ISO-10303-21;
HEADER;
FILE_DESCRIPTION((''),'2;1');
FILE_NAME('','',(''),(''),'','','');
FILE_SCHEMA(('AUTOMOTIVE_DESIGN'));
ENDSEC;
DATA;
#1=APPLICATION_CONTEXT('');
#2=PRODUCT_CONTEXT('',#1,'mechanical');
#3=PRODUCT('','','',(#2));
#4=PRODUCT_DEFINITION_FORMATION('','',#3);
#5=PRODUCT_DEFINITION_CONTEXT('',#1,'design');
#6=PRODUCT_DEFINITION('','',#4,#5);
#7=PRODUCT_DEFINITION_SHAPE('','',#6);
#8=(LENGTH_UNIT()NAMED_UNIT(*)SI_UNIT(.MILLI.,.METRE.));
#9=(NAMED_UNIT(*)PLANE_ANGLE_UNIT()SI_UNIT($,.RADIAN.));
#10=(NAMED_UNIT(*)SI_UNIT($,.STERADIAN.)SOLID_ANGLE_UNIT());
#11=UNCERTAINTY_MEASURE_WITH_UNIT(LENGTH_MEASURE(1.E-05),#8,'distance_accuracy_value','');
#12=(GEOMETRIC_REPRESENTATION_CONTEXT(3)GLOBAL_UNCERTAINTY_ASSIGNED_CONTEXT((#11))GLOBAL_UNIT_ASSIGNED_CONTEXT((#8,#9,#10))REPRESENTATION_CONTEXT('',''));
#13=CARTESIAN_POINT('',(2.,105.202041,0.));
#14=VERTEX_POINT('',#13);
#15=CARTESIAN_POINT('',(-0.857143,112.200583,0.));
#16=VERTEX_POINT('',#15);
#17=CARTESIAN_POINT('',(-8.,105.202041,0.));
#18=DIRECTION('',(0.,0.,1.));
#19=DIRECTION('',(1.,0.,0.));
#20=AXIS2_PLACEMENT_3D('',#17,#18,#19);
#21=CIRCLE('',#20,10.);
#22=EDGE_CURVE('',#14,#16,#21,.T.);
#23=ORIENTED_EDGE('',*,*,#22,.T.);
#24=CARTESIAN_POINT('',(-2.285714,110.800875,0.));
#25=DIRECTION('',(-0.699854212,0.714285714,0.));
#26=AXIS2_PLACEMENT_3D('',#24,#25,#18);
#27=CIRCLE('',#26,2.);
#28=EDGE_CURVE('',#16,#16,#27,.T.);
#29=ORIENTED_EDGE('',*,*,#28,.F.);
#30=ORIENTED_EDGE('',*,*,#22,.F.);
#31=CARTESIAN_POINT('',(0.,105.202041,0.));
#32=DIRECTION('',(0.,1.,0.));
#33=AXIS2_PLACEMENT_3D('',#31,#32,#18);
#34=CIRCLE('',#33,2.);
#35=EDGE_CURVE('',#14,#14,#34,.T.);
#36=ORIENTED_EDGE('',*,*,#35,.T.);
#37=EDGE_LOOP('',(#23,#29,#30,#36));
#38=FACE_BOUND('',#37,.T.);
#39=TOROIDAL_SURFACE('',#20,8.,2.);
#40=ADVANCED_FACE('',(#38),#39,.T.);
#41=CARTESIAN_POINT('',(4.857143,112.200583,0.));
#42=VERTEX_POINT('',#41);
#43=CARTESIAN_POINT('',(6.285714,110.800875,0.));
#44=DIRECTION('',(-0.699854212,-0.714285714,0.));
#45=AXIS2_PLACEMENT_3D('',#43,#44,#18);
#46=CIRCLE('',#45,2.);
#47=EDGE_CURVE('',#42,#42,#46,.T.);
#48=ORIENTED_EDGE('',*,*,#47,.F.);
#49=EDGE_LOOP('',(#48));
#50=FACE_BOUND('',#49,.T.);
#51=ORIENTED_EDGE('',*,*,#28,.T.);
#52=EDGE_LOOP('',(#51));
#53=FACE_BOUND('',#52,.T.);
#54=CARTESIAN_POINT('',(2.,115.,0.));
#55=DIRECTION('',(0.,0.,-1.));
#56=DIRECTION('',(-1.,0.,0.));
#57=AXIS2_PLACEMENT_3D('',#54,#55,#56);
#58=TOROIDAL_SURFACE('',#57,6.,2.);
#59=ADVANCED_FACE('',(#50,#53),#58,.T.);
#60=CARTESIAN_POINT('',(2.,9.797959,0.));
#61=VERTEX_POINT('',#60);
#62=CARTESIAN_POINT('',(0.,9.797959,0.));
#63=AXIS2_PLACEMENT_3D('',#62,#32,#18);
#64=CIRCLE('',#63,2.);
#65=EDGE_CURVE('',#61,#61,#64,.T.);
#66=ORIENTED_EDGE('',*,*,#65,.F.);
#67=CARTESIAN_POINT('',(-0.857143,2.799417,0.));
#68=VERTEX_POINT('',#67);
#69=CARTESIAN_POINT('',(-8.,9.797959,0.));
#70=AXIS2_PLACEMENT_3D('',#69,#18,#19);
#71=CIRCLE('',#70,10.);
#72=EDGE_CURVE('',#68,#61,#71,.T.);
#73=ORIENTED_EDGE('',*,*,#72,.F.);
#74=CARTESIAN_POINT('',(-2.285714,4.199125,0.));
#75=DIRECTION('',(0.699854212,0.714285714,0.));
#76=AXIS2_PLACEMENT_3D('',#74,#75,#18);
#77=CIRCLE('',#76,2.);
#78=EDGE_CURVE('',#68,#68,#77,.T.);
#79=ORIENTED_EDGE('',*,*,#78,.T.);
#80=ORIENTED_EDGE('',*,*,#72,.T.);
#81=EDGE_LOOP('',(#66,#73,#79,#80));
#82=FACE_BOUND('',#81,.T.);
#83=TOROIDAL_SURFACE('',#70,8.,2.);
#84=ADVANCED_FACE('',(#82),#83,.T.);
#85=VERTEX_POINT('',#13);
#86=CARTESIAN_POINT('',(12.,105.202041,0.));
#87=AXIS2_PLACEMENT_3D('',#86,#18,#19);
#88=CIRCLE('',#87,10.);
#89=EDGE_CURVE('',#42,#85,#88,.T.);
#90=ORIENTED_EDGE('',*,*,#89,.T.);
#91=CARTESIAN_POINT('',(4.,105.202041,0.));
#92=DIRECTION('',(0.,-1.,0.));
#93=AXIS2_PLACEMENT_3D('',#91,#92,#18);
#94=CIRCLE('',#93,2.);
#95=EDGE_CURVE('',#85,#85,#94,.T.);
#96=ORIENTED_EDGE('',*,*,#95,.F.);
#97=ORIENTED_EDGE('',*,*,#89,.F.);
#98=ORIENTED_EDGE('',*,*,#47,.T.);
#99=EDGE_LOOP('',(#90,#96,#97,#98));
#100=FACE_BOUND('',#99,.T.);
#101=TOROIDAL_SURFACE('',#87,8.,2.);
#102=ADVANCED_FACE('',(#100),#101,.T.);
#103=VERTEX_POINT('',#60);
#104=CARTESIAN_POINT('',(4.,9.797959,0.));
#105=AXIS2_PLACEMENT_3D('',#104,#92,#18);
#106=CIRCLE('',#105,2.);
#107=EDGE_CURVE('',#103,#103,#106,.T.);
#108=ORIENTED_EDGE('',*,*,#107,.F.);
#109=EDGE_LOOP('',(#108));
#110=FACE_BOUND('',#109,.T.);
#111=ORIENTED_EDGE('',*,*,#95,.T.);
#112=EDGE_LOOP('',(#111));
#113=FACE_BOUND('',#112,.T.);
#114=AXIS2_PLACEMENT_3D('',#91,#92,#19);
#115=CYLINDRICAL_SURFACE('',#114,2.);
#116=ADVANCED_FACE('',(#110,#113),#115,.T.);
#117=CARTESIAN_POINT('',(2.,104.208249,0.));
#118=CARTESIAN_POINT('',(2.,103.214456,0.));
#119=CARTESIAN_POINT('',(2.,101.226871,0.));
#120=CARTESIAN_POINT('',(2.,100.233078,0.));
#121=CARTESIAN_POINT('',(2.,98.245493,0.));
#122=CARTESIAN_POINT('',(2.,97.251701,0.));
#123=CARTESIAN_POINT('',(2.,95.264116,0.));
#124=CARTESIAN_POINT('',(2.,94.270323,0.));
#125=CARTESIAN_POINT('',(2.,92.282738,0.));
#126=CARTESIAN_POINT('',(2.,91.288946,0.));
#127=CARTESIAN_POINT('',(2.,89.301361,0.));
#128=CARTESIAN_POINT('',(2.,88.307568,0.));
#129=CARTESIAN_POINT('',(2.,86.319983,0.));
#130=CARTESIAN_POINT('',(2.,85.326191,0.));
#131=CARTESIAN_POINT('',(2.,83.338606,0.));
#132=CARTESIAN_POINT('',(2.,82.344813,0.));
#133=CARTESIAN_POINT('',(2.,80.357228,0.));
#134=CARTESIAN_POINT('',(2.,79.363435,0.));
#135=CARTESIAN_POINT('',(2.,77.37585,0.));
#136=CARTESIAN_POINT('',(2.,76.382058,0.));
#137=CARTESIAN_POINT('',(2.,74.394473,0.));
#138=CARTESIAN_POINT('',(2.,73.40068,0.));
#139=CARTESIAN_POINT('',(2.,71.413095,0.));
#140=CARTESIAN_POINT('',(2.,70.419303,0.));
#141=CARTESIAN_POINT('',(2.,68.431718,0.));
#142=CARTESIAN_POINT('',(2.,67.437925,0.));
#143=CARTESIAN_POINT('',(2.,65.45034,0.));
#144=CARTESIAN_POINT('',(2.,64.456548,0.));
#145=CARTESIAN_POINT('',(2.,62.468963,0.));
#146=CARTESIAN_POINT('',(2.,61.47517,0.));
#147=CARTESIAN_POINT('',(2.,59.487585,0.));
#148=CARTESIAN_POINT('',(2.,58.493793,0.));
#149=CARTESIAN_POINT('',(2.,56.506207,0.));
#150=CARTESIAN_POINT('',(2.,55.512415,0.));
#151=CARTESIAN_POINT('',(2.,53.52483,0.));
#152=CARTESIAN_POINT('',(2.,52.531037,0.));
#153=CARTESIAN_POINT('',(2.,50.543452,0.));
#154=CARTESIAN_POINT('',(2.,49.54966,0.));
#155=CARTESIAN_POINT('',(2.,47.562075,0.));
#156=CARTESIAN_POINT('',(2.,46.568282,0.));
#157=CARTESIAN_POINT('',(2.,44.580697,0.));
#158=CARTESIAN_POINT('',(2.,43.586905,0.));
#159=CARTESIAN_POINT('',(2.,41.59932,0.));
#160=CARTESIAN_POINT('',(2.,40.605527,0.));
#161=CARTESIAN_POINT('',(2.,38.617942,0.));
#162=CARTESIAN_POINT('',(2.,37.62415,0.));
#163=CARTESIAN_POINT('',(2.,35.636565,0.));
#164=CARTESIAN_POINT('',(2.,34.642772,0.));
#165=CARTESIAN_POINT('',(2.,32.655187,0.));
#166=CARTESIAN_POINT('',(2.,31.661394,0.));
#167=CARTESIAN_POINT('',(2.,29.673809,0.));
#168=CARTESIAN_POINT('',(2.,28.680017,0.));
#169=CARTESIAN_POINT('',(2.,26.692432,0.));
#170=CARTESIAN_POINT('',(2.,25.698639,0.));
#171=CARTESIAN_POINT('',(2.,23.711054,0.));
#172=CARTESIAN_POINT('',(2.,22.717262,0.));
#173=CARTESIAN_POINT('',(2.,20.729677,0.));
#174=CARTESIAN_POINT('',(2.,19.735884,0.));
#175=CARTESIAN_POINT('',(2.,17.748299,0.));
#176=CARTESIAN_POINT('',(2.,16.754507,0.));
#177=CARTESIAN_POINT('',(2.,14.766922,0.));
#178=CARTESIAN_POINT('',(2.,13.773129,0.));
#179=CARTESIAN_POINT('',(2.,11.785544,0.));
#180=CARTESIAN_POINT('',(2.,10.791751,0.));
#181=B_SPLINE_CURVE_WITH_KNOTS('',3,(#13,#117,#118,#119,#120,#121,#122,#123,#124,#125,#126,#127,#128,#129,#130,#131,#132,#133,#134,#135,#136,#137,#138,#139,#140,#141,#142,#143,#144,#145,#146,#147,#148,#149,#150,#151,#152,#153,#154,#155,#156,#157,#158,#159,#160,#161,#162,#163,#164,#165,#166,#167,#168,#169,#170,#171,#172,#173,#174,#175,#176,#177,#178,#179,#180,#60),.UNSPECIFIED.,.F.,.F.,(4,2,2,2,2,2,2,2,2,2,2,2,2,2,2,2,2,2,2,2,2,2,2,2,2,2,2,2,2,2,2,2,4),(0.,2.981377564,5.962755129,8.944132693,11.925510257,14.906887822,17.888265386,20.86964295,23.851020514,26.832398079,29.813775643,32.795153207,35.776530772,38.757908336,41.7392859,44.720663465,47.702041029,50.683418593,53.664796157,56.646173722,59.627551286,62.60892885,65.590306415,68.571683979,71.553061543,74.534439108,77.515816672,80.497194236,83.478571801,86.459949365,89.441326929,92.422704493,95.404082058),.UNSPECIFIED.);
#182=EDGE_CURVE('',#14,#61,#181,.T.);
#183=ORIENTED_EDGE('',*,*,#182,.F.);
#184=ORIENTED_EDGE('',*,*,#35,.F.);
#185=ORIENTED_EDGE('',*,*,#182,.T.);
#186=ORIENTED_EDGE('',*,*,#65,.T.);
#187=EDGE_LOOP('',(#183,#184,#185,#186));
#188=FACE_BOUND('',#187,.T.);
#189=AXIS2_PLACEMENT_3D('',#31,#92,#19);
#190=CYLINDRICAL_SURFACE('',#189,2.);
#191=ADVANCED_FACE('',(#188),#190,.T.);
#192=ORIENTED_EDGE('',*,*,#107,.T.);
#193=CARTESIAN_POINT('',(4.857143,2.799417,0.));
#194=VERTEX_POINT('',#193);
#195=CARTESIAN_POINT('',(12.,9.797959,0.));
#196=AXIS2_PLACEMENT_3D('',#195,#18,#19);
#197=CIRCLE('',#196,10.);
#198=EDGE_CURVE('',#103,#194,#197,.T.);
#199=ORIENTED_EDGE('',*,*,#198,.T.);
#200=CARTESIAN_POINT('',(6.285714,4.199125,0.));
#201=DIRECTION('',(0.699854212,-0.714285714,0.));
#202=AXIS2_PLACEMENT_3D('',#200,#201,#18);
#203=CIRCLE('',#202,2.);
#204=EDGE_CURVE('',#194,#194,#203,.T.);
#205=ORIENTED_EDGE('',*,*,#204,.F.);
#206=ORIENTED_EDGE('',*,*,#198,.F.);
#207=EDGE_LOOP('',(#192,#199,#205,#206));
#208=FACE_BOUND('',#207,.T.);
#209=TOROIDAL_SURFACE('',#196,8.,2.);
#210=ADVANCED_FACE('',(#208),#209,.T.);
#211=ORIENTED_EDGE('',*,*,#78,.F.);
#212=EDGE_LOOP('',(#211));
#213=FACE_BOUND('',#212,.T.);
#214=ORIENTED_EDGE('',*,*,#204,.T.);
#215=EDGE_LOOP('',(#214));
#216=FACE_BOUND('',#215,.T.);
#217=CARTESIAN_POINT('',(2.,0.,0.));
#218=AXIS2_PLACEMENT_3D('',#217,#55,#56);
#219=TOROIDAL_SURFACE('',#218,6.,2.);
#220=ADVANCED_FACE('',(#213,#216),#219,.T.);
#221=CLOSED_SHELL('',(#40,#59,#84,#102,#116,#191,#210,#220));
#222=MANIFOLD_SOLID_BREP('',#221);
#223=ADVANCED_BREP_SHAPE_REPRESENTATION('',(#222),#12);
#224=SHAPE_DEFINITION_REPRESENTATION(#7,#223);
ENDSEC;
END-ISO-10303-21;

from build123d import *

# Parameters (mm, degrees)
SKETCH2_R = 2


with BuildPart() as part:
    # Sweep1: sweep along a path in Sketch1
    with BuildLine(Plane.XY) as sweep1_path:
        Line((4, 9.797958971), (4, 105.202041029))
        ThreePointArc((4, 105.202041029), (4.593439202, 108.225756813), (6.285714286, 110.800874727))
        ThreePointArc((6.285714286, 110.800874727), (2, 121), (-2.285714286, 110.800874727))
        ThreePointArc((-2.285714286, 110.800874727), (-0.593439202, 108.225756813), (0, 105.202041029))
        Line((0, 105.202041029), (0, 9.797958971))
        ThreePointArc((0, 9.797958971), (-0.593439202, 6.774243187), (-2.285714286, 4.199125273))
        ThreePointArc((-2.285714286, 4.199125273), (2, -6), (6.285714286, 4.199125273))
        ThreePointArc((6.285714286, 4.199125273), (4.593439202, 6.774243187), (4, 9.797958971))
    # Sketch2 → Sweep1 (sweep)
    with BuildSketch(Plane(origin=(0, 10, 0), x_dir=(-1, 0, 0), z_dir=(0, 1, 0))):
        Circle(SKETCH2_R)
    sweep(path=sweep1_path.line)


solid = part.part
